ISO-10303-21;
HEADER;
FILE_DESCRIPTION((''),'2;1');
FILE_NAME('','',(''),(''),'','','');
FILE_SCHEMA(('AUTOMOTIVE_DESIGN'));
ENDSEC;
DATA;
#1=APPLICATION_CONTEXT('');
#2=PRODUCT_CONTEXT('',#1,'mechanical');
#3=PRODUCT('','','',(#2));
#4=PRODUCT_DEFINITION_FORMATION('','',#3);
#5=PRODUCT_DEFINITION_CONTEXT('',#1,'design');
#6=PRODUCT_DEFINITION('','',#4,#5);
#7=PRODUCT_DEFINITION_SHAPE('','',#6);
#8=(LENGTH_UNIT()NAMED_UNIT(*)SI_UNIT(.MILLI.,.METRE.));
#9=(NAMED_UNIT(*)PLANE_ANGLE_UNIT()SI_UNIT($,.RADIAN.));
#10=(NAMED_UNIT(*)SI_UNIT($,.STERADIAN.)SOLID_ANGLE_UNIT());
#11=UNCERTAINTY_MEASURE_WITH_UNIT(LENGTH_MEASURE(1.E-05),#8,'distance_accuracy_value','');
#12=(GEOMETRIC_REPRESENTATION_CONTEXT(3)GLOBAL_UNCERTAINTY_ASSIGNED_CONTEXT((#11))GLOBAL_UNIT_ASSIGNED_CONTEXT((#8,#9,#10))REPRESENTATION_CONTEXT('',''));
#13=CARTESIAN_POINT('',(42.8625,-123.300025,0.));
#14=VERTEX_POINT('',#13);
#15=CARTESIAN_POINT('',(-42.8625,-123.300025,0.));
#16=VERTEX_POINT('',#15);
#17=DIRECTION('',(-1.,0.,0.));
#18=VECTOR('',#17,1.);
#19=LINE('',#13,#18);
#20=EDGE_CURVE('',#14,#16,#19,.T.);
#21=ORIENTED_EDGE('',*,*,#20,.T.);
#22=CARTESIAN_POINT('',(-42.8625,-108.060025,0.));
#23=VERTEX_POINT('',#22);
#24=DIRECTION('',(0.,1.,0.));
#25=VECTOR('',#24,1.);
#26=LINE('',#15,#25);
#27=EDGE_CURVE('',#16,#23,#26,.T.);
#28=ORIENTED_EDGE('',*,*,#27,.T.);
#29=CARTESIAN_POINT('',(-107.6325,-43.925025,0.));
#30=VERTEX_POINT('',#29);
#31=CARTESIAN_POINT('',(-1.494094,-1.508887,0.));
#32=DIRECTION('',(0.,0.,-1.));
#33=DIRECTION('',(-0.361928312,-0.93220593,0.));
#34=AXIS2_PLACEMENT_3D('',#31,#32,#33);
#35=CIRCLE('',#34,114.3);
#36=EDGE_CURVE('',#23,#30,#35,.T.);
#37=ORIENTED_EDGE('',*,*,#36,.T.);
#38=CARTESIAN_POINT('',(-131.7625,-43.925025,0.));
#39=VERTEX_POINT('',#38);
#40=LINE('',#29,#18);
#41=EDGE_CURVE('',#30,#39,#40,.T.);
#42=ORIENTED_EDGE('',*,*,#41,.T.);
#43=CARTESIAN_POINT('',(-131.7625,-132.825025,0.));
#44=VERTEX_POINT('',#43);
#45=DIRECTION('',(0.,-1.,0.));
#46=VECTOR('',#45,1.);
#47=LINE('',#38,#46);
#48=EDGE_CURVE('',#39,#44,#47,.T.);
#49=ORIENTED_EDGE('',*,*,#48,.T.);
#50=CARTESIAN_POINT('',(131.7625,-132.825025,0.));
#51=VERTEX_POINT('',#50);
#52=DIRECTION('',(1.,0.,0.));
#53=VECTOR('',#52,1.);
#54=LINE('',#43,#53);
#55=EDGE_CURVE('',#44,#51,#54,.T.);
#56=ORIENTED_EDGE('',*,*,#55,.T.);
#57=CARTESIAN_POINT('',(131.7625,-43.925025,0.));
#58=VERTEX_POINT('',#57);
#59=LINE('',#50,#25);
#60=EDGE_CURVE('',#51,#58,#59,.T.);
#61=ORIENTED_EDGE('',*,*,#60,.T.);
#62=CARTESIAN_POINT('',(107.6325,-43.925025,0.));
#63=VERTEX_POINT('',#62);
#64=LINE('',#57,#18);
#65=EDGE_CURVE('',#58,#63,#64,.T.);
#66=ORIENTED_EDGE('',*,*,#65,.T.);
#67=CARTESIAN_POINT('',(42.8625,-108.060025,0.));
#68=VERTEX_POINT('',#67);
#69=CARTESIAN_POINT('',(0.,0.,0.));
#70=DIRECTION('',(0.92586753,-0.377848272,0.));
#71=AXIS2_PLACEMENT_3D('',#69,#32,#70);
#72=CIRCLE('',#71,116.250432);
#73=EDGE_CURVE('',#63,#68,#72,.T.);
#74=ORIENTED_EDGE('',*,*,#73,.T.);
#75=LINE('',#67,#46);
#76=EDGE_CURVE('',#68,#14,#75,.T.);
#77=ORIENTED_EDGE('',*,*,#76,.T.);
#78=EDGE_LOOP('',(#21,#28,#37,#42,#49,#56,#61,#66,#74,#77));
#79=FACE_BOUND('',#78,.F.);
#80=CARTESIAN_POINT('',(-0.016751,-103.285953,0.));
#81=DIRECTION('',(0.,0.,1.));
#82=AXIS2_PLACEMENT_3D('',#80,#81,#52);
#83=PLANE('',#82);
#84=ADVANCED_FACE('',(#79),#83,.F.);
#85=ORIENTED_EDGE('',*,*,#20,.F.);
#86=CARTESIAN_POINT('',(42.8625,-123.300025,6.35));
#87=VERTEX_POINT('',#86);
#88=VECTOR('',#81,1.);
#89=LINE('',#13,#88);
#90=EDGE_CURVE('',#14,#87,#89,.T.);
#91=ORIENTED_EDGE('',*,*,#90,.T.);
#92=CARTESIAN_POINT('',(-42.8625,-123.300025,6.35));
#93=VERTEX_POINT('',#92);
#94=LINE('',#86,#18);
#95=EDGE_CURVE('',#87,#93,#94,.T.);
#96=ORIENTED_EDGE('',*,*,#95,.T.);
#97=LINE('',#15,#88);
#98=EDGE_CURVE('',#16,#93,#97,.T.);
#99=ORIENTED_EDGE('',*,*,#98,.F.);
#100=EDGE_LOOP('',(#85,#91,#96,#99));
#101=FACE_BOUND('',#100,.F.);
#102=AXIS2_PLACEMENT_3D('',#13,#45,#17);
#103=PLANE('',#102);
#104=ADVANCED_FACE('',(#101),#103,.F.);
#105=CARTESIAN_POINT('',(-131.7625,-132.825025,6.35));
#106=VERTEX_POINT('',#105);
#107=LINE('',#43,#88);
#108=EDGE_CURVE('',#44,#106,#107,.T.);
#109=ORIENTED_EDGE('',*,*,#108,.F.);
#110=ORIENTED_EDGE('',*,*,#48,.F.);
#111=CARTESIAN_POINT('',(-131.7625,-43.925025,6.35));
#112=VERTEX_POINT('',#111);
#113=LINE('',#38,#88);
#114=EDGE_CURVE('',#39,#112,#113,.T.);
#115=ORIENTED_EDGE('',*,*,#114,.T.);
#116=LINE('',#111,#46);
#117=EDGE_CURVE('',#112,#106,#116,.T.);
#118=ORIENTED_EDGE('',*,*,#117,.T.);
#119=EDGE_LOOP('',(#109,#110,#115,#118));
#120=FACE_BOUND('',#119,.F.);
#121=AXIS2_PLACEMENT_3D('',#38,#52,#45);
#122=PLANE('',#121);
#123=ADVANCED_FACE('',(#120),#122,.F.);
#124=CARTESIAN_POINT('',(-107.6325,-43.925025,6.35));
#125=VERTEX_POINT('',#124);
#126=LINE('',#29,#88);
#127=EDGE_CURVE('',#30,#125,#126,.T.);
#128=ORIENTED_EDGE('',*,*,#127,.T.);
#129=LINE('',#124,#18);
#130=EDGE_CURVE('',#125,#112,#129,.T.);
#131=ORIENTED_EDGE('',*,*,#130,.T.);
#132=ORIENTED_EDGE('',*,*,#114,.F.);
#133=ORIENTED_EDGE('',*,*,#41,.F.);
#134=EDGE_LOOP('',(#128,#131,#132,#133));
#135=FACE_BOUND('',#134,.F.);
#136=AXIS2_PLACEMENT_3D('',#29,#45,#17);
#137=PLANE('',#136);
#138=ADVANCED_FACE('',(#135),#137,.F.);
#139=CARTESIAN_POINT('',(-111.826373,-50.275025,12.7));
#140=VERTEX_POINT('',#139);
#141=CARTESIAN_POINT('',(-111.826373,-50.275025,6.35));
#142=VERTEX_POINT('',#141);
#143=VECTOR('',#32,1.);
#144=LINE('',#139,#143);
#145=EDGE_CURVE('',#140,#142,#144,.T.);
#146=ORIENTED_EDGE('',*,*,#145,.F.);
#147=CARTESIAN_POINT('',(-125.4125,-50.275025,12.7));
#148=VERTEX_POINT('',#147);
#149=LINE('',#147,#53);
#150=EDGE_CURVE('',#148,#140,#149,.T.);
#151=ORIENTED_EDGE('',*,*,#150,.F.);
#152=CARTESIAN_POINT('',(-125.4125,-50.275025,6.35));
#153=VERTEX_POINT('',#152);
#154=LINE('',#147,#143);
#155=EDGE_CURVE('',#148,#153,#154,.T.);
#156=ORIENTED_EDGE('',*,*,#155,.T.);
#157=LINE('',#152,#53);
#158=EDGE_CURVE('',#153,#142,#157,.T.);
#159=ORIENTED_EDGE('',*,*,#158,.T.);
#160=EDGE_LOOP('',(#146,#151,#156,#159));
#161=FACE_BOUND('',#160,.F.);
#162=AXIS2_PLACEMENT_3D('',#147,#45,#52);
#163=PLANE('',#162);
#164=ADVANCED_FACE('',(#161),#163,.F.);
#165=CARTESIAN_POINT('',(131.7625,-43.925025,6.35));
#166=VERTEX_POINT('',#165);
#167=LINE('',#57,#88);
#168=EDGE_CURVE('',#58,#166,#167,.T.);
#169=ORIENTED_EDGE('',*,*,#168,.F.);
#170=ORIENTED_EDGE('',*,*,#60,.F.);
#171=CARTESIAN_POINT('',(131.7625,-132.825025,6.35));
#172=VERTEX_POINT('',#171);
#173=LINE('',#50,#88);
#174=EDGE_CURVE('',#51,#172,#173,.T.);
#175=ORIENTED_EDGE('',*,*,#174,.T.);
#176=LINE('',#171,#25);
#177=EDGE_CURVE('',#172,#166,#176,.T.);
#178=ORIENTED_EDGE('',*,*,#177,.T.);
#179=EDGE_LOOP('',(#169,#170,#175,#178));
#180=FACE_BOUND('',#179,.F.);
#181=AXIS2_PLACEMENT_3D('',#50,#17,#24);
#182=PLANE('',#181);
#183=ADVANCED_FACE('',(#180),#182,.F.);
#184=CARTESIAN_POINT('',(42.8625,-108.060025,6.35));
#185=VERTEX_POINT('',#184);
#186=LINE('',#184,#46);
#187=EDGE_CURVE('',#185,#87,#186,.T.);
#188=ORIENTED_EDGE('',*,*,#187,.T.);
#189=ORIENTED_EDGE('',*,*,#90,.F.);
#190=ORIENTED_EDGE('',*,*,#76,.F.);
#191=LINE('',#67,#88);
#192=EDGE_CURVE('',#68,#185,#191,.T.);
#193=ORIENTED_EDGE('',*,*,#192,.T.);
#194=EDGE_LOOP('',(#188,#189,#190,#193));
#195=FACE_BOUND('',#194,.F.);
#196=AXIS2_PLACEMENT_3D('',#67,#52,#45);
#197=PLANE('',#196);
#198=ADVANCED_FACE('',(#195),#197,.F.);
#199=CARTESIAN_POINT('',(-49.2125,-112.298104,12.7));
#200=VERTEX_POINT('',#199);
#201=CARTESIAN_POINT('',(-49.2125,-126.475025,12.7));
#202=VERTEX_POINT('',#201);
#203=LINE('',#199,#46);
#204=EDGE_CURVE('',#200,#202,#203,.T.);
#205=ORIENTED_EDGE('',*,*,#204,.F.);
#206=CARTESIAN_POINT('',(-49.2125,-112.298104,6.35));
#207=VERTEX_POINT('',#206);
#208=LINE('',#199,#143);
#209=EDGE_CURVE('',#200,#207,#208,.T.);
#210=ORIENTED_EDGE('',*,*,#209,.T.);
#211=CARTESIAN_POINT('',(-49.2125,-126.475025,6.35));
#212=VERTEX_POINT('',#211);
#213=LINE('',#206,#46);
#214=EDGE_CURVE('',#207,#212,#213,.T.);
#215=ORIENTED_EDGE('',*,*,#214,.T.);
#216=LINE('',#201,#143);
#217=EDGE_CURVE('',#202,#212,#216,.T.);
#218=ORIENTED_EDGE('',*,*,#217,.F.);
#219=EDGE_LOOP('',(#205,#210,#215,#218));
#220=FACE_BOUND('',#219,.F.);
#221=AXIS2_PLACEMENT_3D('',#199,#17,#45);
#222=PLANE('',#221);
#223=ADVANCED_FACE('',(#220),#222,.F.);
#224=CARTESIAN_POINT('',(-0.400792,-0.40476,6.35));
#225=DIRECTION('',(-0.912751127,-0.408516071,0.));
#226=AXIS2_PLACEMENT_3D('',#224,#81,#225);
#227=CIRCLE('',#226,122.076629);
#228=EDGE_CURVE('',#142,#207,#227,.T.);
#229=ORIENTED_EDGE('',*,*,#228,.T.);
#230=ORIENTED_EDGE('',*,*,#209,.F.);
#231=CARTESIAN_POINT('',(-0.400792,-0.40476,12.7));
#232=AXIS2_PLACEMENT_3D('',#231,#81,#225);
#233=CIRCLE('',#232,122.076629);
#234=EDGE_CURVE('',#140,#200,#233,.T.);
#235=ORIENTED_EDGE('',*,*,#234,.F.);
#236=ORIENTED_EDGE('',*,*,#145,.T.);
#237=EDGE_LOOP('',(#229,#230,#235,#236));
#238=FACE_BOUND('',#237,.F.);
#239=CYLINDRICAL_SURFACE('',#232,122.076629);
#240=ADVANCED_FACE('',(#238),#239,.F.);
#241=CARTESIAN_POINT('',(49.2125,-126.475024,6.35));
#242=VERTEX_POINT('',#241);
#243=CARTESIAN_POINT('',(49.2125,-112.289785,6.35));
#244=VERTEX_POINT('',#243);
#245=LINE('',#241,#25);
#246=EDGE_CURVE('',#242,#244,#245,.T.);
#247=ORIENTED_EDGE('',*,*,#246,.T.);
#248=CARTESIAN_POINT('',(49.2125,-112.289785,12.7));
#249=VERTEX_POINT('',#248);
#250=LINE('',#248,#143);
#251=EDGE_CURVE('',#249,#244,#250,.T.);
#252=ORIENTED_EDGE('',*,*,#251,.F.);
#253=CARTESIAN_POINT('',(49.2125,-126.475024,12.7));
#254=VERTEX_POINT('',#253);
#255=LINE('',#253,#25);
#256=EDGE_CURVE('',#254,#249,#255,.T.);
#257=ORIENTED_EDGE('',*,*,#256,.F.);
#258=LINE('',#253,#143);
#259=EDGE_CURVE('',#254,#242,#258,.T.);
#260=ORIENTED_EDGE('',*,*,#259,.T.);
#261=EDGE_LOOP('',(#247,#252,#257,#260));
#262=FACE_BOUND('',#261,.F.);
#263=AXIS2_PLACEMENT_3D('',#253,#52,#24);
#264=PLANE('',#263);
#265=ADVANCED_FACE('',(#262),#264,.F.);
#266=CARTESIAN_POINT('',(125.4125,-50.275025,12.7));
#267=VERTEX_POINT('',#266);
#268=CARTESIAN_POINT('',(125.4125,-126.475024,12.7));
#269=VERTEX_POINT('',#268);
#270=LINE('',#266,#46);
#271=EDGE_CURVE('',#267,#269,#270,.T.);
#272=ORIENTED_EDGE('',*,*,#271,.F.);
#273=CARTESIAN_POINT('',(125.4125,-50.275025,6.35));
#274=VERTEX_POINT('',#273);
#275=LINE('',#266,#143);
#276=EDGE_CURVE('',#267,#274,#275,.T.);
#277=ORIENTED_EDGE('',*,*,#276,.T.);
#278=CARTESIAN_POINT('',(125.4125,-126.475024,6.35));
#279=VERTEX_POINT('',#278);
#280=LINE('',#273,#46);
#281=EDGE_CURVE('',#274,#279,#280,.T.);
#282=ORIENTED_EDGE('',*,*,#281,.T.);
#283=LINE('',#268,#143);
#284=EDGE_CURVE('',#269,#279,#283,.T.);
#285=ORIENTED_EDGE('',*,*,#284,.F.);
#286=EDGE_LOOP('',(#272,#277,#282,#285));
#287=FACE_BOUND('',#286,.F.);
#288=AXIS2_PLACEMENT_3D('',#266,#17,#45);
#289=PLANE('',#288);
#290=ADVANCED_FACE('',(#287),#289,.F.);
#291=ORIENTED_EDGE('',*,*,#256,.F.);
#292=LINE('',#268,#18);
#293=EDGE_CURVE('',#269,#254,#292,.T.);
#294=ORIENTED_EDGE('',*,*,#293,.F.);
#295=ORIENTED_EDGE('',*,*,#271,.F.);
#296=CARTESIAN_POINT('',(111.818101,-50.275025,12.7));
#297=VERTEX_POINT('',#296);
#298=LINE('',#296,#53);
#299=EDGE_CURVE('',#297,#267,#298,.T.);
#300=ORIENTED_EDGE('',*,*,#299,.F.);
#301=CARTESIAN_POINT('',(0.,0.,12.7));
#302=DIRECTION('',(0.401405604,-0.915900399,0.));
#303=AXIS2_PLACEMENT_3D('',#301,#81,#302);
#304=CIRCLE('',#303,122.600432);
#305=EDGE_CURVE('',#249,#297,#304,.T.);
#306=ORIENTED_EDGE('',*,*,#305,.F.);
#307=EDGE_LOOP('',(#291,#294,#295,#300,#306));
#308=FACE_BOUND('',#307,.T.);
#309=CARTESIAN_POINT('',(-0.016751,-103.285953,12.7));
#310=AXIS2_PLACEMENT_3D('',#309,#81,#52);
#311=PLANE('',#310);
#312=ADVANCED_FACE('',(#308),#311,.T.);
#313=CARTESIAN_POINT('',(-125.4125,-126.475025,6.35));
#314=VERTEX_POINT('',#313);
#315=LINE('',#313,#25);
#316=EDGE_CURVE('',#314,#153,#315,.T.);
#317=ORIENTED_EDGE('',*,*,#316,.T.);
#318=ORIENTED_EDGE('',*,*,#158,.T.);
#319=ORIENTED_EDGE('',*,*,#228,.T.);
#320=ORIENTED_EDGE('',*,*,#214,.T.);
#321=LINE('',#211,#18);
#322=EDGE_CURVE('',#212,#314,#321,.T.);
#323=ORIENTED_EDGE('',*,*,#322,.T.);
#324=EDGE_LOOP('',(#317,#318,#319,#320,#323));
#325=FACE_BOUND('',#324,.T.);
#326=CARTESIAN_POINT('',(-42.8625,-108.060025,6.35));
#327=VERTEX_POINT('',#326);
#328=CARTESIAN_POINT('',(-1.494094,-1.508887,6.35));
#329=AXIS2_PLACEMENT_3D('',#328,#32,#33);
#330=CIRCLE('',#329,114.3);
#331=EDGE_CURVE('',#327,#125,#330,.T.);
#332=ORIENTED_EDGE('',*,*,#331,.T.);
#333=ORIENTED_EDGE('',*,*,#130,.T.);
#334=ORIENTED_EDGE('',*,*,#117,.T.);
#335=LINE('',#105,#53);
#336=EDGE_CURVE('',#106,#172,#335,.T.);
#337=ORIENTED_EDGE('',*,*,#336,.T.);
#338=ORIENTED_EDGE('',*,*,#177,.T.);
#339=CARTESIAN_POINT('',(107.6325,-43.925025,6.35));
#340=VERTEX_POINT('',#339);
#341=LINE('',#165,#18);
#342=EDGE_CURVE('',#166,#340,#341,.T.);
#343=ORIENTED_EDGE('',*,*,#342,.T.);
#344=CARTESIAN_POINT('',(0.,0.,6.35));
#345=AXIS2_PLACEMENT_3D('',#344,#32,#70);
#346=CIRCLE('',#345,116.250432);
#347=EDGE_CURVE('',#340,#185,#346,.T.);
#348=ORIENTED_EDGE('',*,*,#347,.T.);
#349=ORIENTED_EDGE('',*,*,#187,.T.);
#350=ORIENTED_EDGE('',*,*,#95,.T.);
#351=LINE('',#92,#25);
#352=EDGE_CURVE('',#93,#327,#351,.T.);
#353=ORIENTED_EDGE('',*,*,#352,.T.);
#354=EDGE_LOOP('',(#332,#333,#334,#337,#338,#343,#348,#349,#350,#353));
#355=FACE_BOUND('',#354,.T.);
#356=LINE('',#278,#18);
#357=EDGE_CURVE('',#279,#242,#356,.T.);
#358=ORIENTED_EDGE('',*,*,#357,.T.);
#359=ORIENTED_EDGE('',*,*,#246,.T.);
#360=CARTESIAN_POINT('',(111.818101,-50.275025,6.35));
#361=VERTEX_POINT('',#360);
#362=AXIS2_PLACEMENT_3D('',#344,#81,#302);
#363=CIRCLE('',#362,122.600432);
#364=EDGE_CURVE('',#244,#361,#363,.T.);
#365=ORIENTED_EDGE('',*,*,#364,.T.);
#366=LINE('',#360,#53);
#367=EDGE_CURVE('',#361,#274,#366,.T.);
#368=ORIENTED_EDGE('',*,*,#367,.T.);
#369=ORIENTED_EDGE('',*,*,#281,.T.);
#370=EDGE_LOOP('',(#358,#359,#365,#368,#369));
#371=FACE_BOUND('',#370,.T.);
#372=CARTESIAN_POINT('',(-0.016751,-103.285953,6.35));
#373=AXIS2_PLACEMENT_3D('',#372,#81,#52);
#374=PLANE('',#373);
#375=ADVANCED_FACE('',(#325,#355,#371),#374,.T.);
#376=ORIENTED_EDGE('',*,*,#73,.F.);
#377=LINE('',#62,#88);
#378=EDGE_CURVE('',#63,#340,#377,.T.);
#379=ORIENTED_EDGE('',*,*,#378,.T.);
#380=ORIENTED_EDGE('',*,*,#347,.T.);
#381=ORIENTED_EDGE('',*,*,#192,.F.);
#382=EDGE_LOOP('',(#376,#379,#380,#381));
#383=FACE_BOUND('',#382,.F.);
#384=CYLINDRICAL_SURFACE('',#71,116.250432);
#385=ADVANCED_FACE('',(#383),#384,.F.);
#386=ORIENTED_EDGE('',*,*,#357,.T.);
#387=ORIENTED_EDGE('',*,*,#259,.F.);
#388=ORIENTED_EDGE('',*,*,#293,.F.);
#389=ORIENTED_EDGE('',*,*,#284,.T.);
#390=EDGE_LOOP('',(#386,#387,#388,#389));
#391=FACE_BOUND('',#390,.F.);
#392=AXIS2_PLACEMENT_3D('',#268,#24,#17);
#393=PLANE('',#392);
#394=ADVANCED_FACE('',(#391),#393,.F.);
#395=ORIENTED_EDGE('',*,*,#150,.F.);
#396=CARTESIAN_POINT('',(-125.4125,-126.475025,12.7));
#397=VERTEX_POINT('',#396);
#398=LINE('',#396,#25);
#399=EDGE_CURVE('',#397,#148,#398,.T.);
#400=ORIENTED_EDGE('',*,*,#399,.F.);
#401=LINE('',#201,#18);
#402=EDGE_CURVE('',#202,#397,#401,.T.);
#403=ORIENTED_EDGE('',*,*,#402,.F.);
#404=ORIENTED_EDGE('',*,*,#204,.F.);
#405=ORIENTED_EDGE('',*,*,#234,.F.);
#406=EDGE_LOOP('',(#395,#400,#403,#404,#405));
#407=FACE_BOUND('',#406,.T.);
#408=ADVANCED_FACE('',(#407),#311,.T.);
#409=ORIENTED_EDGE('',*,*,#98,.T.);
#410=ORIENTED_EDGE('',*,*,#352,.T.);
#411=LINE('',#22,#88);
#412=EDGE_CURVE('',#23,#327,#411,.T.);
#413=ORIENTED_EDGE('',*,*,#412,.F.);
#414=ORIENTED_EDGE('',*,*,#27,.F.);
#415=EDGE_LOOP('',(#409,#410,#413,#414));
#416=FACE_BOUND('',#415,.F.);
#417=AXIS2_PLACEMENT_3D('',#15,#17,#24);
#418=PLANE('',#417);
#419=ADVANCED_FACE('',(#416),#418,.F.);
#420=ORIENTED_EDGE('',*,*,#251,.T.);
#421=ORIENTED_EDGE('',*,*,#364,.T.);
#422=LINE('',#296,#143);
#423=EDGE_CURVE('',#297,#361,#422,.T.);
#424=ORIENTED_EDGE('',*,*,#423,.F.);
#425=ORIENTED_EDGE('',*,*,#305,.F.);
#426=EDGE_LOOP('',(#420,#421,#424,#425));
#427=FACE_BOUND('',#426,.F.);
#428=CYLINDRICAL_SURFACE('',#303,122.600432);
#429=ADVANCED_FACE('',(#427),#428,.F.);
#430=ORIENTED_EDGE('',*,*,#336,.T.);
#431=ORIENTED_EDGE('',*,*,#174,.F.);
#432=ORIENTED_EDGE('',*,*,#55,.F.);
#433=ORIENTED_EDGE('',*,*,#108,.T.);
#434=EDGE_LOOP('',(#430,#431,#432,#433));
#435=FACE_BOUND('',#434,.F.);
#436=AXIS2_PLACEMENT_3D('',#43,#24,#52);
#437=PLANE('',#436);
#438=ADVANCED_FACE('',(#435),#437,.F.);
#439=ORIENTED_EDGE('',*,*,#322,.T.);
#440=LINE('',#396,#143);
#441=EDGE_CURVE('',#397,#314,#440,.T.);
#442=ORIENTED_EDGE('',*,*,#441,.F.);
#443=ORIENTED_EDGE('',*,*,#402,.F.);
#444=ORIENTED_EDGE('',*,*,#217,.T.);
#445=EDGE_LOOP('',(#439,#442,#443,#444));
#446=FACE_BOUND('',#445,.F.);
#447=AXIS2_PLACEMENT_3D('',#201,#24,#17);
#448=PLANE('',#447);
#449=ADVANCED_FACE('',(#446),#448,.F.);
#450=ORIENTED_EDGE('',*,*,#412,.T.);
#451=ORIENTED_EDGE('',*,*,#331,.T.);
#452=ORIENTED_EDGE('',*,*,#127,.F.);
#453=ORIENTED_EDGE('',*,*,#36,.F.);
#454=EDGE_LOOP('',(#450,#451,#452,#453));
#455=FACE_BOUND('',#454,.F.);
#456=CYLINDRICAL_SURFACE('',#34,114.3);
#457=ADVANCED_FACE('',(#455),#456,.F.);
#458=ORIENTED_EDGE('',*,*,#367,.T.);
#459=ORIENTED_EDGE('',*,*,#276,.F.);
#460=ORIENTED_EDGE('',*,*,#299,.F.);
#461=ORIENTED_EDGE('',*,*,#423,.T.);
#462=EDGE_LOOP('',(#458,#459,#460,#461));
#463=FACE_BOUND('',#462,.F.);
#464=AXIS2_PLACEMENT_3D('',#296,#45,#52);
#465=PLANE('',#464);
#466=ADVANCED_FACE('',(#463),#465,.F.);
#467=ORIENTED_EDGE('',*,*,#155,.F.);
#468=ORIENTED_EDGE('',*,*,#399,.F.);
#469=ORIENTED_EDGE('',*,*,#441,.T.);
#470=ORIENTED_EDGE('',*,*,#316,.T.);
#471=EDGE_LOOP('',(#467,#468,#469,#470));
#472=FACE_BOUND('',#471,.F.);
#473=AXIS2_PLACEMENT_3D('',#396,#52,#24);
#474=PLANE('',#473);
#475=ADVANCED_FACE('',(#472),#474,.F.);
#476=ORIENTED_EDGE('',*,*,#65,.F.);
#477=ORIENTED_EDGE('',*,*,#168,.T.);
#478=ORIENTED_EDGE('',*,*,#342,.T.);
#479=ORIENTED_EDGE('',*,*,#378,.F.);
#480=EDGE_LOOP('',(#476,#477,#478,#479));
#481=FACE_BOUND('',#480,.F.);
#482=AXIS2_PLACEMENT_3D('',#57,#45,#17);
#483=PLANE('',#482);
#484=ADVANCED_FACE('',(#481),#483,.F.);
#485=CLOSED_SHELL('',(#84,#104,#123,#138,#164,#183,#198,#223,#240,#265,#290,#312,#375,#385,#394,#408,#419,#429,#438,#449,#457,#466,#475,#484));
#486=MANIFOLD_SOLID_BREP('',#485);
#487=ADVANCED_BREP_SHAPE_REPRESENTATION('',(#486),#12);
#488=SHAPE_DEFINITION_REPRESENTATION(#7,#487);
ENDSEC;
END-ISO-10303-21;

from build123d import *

# Parameters (mm, degrees)
F1_DEPTH = 12.7
F3_DEPTH = 6.35


with BuildPart() as f1:
    # F0 (on Top) → F1 (new body)
    with BuildSketch(Plane.XY):
        with BuildLine():
            Line((-131.7625, -43.9250247525), (-131.7625, -132.8250247525))
            Line((-131.7625, -132.8250247525), (131.7625, -132.8250247525))
            Line((131.7625, -132.8250247525), (131.7625, -43.9250247525))
            Line((131.7625, -43.9250247525), (107.6325, -43.9250247525))
            ThreePointArc((107.6325, -43.9250247525), (81.7955427423, -82.6053996011), (42.8625, -108.0600247525))
            Line((42.8625, -108.0600247525), (42.8625, -123.3000247525))
            Line((42.8625, -123.3000247525), (-42.8625, -123.3000247525))
            Line((-42.8625, -123.3000247525), (-42.8625, -108.0600247525))
            ThreePointArc((-42.8625, -108.0600247525), (-81.9172837619, -82.7283459773), (-107.6325, -43.9250247525))
            Line((-107.6325, -43.9250247525), (-131.7625, -43.9250247525))
        make_face()
    extrude(amount=F1_DEPTH)

    # F2 (on face) → F3 (cut)
    with BuildSketch(Plane.XY.offset(12.7)):
        with BuildLine():
            Line((-42.8625, -123.3000247525), (-42.8625, -108.0600247525))
            ThreePointArc((-42.8625, -108.0600247525), (-81.9172837619, -82.7283459773), (-107.6325, -43.9250247525))
            Line((-107.6325, -43.9250247525), (-131.7625, -43.9250247525))
            Line((-131.7625, -43.9250247525), (-131.7625, -132.8250247525))
            Line((-131.7625, -132.8250247525), (-42.8625, -132.8250247525))
            Line((-42.8625, -132.8250247525), (42.8625, -132.8250247525))
            Line((42.8625, -132.8250247525), (131.7625, -132.8250247525))
            Line((131.7625, -132.8250247525), (131.7625, -43.9250247525))
            Line((131.7625, -43.9250247525), (107.6325, -43.9250247525))
            ThreePointArc((107.6325, -43.9250247525), (81.7955427423, -82.6053996011), (42.8625, -108.0600247525))
            Line((42.8625, -108.0600247525), (42.8625, -123.3000247525))
            Line((42.8625, -123.3000247525), (-42.8625, -123.3000247525))
        make_face()
        with BuildLine():
            ThreePointArc((-111.8263726608, -50.2750247525), (-86.3118667631, -87.1341700783), (-49.2125, -112.2981044118))
            Line((-49.2125, -112.2981044118), (-49.2125, -126.4750247525))
            Line((-49.2125, -126.4750247525), (-125.4125, -126.4750247525))
            Line((-125.4125, -126.4750247525), (-125.4125, -50.2750247525))
            Line((-125.4125, -50.2750247525), (-111.8263726608, -50.2750247525))
        make_face(mode=Mode.SUBTRACT)
        with BuildLine():
            Line((49.212500453, -126.4750242995), (49.212500453, -112.2897846992))
            ThreePointArc((49.212500453, -112.2897846992), (86.2796110209, -87.1016341449), (111.8181013486, -50.2750252055))
            Line((111.8181013486, -50.2750252055), (125.412499547, -50.2750252055))
            Line((125.412499547, -50.2750252055), (125.412499547, -126.4750242995))
            Line((125.412499547, -126.4750242995), (49.212500453, -126.4750242995))
        make_face(mode=Mode.SUBTRACT)
    extrude(amount=-F3_DEPTH, mode=Mode.SUBTRACT)


solid = f1.part
